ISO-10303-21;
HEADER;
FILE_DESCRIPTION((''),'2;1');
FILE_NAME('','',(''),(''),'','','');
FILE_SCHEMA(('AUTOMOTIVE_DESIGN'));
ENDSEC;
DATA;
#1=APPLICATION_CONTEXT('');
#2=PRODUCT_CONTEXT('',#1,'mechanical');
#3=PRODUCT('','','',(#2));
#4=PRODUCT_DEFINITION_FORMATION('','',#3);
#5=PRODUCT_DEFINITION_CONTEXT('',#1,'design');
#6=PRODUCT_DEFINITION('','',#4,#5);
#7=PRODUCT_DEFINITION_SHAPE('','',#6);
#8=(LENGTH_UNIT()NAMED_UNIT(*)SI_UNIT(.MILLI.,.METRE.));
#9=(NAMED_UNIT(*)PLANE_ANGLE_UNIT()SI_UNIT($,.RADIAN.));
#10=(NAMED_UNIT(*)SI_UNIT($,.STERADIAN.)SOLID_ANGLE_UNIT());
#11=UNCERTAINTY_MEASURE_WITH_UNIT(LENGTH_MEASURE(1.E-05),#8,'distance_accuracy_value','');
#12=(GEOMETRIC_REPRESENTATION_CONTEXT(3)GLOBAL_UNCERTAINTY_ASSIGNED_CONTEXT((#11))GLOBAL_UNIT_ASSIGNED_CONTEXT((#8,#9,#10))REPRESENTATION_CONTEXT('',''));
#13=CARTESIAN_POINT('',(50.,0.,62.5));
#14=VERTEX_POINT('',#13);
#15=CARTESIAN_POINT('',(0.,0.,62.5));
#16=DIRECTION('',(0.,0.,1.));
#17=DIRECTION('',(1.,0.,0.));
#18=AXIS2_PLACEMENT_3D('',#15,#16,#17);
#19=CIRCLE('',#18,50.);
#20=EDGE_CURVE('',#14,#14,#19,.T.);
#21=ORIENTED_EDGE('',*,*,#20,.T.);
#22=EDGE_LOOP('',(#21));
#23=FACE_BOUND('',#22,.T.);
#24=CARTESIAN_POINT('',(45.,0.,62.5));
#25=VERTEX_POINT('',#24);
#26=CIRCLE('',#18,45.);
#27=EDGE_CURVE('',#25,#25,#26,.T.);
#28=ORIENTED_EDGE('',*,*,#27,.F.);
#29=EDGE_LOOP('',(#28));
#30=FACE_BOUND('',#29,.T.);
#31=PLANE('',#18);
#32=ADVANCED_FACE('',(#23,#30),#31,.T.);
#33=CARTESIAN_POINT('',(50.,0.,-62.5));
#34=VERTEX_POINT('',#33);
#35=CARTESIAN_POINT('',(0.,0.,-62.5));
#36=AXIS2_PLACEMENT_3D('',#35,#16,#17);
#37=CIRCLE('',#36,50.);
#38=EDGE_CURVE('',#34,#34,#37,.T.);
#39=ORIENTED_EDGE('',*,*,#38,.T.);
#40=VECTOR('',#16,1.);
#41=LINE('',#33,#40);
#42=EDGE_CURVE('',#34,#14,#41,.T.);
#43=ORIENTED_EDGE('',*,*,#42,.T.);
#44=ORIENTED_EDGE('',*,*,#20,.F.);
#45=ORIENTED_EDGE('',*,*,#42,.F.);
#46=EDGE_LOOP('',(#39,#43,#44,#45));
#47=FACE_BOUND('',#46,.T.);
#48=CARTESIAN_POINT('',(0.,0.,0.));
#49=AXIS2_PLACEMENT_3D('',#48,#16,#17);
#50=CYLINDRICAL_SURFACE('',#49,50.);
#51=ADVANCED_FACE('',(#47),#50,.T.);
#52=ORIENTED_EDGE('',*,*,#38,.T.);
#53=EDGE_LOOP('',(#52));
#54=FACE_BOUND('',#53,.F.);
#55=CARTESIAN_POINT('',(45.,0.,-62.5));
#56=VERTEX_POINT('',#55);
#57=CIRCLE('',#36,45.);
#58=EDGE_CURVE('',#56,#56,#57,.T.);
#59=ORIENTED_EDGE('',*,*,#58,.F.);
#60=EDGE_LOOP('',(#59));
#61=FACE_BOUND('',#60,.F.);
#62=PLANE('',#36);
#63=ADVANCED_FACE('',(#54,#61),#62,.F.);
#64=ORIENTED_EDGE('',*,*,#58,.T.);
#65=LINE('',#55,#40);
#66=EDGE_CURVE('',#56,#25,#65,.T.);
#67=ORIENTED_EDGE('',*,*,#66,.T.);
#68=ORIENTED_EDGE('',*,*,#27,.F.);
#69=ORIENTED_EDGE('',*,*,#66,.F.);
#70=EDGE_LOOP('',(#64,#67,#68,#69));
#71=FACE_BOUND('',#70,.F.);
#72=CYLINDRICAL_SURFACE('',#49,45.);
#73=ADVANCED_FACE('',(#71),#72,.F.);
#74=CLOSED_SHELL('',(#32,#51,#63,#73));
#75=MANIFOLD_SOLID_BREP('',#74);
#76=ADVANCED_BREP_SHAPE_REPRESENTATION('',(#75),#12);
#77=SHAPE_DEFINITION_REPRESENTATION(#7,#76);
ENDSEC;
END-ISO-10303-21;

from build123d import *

# Parameters (mm, degrees)
F0_R     = 50
F1_DEPTH = 62.5
F2_T     = -5


with BuildPart() as f1:
    # F0 (on Top) → F1 (new body, symmetric)
    with BuildSketch(Plane.XY):
        Circle(F0_R)
    extrude(amount=F1_DEPTH, both=True)

    # F2
    f2_openings = [f1.faces().sort_by_distance(p)[0] for p in [
        (0, 0, 62.5),
        (0, 0, -62.5),
    ]]
    offset(amount=F2_T, openings=f2_openings)


solid = f1.part
